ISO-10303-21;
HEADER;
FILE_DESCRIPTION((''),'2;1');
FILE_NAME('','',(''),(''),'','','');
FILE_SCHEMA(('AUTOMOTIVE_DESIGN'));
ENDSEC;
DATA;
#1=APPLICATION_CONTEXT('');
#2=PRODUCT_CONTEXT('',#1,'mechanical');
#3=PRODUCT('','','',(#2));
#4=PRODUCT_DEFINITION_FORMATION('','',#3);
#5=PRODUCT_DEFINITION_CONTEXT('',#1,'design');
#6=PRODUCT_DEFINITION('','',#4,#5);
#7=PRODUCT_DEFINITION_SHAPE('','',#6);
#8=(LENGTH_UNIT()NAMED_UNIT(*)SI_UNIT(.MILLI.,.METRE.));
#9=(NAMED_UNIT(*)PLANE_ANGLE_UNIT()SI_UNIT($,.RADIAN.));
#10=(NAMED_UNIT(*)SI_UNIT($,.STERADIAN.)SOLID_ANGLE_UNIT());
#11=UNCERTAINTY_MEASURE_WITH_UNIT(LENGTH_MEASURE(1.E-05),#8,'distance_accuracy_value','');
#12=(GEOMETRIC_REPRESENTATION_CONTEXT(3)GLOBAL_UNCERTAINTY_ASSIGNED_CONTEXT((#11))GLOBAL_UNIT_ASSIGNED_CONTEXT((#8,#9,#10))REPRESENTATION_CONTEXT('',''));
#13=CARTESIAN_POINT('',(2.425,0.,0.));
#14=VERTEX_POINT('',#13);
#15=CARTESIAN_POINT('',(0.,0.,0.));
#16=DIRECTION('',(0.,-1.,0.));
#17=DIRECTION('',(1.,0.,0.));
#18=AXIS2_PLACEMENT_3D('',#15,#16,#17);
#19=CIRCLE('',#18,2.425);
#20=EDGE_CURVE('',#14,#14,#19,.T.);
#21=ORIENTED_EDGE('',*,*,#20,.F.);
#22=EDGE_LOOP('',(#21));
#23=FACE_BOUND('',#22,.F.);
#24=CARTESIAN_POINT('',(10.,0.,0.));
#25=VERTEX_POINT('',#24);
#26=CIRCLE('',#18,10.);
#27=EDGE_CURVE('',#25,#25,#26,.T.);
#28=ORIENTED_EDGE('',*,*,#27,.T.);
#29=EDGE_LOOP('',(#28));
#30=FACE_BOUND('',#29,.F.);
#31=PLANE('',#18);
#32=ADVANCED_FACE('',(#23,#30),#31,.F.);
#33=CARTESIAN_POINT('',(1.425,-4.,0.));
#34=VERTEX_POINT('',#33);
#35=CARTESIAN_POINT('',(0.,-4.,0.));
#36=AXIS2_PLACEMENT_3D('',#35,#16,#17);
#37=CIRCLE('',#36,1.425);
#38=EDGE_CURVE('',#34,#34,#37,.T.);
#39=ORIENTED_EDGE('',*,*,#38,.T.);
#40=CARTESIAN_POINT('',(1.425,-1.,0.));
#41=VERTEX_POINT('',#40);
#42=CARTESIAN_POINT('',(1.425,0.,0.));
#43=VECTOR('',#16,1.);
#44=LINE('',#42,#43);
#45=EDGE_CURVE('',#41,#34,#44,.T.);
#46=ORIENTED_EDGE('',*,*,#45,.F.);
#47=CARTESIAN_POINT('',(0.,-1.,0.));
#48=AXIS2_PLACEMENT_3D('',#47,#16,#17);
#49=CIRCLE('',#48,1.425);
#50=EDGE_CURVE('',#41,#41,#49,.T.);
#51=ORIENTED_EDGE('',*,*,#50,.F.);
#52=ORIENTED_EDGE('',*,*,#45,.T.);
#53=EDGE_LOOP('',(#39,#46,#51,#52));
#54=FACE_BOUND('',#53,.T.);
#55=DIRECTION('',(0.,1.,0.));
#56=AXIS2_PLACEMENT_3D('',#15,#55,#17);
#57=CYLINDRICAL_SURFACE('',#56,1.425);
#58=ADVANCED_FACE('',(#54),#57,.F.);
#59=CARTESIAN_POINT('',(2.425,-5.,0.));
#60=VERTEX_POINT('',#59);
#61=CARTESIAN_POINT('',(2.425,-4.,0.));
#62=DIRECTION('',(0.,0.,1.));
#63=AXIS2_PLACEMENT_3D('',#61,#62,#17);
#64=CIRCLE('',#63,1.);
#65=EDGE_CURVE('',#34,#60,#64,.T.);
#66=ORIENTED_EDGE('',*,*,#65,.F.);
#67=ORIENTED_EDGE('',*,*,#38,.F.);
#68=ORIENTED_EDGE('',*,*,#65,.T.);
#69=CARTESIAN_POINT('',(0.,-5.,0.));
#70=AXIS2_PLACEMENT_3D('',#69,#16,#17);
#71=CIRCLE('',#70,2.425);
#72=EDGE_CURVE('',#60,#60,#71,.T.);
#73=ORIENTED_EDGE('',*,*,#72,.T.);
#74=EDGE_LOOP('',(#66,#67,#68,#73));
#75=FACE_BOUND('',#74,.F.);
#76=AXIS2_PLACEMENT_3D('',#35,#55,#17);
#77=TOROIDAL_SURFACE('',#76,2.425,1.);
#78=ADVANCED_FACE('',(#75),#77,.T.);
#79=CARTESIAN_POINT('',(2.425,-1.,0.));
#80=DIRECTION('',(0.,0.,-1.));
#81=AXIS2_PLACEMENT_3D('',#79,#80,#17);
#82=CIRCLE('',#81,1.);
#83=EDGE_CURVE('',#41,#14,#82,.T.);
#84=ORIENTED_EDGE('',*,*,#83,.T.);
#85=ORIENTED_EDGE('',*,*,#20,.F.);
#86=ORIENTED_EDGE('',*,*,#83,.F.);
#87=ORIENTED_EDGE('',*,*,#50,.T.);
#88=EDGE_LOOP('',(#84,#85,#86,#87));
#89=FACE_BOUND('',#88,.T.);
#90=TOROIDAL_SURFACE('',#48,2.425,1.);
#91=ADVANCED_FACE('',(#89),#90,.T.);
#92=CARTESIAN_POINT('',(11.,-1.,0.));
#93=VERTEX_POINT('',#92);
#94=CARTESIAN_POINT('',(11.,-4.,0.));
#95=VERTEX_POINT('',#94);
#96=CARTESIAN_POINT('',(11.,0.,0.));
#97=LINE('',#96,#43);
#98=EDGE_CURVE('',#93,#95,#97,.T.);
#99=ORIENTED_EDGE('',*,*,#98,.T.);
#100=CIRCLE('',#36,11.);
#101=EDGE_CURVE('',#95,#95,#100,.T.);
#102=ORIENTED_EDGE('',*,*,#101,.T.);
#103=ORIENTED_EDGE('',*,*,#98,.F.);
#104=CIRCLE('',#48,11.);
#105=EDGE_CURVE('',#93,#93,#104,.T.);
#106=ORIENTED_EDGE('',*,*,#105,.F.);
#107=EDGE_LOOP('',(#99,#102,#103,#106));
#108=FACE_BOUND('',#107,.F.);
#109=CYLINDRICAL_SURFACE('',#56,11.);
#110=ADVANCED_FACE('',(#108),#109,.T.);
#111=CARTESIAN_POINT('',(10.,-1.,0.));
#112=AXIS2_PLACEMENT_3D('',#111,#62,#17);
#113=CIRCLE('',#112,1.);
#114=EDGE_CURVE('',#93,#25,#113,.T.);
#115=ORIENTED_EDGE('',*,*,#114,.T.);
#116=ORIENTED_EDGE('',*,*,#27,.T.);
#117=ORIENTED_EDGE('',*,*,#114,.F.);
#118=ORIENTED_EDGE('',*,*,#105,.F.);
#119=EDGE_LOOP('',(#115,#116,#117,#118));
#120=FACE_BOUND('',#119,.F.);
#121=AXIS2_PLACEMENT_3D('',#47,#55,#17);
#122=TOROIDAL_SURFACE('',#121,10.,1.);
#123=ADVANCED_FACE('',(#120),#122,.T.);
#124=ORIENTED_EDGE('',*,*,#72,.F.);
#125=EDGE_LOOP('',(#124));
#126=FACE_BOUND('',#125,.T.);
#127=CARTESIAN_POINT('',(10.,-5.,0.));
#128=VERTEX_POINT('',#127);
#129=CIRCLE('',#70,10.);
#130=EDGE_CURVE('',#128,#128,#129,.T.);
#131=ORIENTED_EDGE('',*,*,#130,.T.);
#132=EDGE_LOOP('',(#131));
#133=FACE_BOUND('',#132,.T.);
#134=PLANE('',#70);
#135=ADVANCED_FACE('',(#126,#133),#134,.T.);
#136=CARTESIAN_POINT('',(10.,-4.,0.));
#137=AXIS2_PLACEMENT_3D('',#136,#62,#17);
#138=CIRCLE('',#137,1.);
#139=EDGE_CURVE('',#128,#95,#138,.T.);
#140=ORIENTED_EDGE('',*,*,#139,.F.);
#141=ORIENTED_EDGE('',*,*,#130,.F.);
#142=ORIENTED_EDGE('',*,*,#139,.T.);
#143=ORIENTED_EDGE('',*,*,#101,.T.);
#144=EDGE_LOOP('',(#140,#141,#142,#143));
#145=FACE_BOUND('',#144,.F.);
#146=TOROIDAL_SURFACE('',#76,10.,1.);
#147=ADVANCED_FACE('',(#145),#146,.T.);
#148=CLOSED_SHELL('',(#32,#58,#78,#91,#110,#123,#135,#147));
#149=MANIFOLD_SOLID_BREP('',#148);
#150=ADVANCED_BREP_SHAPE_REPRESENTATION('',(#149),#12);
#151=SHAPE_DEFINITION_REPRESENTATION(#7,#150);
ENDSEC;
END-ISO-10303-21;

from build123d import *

# Parameters (mm, degrees)
F0_R     = 11
F0_R_2   = 1.425
F1_DEPTH = 5
F2_R     = 1
F3_R     = 1
F4_R     = 1
F5_R     = 1


with BuildPart() as f1:
    # F0 (on Front) → F1 (new body)
    with BuildSketch(Plane.XZ):
        Circle(F0_R)
        Circle(F0_R_2, mode=Mode.SUBTRACT)
    extrude(amount=F1_DEPTH)

    # F2
    f2_edges = [f1.edges().sort_by_distance(p)[0] for p in [
        (-1.425, -5, 0),
    ]]
    fillet(f2_edges, radius=F2_R)

    # F3
    f3_edges = [f1.edges().sort_by_distance(p)[0] for p in [
        (-1.425, 0, 0),
    ]]
    fillet(f3_edges, radius=F3_R)

    # F4
    f4_edges = [f1.edges().sort_by_distance(p)[0] for p in [
        (-11, -5, 0),
    ]]
    fillet(f4_edges, radius=F4_R)

    # F5
    f5_edges = [f1.edges().sort_by_distance(p)[0] for p in [
        (-11, 0, 0),
    ]]
    fillet(f5_edges, radius=F5_R)


solid = f1.part
